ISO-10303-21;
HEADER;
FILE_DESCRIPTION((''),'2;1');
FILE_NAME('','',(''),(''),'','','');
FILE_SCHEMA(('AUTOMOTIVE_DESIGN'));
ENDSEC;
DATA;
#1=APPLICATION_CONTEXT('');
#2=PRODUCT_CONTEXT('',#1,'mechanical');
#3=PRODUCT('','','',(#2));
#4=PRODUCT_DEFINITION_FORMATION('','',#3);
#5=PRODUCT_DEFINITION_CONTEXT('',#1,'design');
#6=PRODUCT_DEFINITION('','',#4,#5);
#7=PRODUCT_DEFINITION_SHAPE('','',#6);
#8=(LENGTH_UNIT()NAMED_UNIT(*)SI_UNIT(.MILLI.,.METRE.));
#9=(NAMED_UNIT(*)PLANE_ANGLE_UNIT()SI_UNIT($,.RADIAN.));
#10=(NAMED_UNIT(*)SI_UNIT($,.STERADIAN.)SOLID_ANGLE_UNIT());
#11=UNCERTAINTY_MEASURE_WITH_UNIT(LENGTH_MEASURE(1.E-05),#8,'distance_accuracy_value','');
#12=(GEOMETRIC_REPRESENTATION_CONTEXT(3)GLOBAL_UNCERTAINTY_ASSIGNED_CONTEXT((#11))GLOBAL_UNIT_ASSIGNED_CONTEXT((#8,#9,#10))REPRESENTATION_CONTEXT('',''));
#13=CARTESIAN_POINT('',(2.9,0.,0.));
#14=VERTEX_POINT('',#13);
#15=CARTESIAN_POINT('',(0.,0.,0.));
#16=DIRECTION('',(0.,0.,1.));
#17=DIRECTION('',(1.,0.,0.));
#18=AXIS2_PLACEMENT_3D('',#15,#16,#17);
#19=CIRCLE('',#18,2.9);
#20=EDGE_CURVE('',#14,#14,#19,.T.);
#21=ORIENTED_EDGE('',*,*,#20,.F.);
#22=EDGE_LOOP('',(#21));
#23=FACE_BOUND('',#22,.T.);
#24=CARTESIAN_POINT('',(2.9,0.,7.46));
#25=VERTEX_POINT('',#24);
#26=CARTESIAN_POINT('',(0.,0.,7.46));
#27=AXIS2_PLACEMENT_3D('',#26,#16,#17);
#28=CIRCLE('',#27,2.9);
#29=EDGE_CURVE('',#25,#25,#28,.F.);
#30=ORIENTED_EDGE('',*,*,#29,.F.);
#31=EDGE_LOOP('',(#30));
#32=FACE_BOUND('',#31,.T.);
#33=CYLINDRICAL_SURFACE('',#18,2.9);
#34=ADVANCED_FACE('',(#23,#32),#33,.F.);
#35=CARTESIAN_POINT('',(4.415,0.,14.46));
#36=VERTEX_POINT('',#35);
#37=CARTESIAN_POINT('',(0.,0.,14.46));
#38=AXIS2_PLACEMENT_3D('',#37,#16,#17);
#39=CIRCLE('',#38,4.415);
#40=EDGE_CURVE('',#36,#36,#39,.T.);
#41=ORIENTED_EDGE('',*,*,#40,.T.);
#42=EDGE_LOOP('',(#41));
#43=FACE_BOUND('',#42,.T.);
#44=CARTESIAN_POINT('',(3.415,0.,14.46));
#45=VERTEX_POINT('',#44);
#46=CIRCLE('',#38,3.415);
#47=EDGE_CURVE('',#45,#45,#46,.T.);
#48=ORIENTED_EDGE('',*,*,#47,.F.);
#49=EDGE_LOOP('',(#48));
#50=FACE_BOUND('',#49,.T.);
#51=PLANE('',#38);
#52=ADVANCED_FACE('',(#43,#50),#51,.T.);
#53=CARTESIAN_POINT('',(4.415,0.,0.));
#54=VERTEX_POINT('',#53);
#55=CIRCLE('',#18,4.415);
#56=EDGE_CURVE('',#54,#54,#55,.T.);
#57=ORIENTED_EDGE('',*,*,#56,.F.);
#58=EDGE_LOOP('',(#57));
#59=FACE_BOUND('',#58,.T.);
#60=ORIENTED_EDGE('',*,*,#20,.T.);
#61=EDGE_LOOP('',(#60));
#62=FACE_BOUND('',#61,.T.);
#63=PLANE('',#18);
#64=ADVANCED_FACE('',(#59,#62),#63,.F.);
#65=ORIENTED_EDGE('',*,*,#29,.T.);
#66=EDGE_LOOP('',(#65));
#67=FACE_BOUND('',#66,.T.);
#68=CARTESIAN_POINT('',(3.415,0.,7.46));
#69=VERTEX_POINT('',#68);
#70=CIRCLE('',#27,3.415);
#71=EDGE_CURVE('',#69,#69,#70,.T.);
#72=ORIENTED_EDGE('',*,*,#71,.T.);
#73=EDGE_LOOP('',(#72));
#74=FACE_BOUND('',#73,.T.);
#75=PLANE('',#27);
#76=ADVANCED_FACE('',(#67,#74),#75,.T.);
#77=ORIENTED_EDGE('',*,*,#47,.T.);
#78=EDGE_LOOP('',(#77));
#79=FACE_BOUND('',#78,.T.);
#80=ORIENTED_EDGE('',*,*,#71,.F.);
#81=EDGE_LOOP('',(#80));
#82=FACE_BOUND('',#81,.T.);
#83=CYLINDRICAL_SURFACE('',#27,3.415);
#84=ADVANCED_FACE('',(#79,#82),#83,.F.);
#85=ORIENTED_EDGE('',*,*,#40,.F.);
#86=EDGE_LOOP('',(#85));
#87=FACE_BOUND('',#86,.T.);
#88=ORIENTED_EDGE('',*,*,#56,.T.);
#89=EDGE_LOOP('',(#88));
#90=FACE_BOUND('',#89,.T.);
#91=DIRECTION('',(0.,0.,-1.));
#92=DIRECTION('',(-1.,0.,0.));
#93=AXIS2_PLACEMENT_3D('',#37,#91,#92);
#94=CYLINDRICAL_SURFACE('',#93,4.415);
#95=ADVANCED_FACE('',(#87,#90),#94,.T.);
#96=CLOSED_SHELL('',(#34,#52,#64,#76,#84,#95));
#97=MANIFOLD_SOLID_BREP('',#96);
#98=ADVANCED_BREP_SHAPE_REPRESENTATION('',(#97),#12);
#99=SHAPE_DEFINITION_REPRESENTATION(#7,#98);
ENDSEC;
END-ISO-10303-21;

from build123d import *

# Parameters (mm, degrees)
ESQUISSE1_R             = 4.415
BOSS_EXTRU_1_DEPTH      = 14.46
ESQUISSE4_R             = 2.9
ENL_V_MAT_EXTRU_1_DEPTH = 14.46
ESQUISSE6_R             = 3.415
ENL_V_MAT_EXTRU_2_DEPTH = 7


with BuildPart() as part:
    # Esquisse1 → Boss.-Extru.1 (new body)
    with BuildSketch(Plane.XY):
        Circle(ESQUISSE1_R)
    extrude(amount=BOSS_EXTRU_1_DEPTH)

    # Esquisse4 → Enlèv. mat.-Extru.1 (cut)
    with BuildSketch(Plane.XY.offset(14.46)):
        Circle(ESQUISSE4_R)
    extrude(amount=-ENL_V_MAT_EXTRU_1_DEPTH, mode=Mode.SUBTRACT)

    # Esquisse6 → Enlèv. mat.-Extru.2 (cut)
    with BuildSketch(Plane.XY.offset(14.46)):
        Circle(ESQUISSE6_R)
    extrude(amount=-ENL_V_MAT_EXTRU_2_DEPTH, mode=Mode.SUBTRACT)


solid = part.part
